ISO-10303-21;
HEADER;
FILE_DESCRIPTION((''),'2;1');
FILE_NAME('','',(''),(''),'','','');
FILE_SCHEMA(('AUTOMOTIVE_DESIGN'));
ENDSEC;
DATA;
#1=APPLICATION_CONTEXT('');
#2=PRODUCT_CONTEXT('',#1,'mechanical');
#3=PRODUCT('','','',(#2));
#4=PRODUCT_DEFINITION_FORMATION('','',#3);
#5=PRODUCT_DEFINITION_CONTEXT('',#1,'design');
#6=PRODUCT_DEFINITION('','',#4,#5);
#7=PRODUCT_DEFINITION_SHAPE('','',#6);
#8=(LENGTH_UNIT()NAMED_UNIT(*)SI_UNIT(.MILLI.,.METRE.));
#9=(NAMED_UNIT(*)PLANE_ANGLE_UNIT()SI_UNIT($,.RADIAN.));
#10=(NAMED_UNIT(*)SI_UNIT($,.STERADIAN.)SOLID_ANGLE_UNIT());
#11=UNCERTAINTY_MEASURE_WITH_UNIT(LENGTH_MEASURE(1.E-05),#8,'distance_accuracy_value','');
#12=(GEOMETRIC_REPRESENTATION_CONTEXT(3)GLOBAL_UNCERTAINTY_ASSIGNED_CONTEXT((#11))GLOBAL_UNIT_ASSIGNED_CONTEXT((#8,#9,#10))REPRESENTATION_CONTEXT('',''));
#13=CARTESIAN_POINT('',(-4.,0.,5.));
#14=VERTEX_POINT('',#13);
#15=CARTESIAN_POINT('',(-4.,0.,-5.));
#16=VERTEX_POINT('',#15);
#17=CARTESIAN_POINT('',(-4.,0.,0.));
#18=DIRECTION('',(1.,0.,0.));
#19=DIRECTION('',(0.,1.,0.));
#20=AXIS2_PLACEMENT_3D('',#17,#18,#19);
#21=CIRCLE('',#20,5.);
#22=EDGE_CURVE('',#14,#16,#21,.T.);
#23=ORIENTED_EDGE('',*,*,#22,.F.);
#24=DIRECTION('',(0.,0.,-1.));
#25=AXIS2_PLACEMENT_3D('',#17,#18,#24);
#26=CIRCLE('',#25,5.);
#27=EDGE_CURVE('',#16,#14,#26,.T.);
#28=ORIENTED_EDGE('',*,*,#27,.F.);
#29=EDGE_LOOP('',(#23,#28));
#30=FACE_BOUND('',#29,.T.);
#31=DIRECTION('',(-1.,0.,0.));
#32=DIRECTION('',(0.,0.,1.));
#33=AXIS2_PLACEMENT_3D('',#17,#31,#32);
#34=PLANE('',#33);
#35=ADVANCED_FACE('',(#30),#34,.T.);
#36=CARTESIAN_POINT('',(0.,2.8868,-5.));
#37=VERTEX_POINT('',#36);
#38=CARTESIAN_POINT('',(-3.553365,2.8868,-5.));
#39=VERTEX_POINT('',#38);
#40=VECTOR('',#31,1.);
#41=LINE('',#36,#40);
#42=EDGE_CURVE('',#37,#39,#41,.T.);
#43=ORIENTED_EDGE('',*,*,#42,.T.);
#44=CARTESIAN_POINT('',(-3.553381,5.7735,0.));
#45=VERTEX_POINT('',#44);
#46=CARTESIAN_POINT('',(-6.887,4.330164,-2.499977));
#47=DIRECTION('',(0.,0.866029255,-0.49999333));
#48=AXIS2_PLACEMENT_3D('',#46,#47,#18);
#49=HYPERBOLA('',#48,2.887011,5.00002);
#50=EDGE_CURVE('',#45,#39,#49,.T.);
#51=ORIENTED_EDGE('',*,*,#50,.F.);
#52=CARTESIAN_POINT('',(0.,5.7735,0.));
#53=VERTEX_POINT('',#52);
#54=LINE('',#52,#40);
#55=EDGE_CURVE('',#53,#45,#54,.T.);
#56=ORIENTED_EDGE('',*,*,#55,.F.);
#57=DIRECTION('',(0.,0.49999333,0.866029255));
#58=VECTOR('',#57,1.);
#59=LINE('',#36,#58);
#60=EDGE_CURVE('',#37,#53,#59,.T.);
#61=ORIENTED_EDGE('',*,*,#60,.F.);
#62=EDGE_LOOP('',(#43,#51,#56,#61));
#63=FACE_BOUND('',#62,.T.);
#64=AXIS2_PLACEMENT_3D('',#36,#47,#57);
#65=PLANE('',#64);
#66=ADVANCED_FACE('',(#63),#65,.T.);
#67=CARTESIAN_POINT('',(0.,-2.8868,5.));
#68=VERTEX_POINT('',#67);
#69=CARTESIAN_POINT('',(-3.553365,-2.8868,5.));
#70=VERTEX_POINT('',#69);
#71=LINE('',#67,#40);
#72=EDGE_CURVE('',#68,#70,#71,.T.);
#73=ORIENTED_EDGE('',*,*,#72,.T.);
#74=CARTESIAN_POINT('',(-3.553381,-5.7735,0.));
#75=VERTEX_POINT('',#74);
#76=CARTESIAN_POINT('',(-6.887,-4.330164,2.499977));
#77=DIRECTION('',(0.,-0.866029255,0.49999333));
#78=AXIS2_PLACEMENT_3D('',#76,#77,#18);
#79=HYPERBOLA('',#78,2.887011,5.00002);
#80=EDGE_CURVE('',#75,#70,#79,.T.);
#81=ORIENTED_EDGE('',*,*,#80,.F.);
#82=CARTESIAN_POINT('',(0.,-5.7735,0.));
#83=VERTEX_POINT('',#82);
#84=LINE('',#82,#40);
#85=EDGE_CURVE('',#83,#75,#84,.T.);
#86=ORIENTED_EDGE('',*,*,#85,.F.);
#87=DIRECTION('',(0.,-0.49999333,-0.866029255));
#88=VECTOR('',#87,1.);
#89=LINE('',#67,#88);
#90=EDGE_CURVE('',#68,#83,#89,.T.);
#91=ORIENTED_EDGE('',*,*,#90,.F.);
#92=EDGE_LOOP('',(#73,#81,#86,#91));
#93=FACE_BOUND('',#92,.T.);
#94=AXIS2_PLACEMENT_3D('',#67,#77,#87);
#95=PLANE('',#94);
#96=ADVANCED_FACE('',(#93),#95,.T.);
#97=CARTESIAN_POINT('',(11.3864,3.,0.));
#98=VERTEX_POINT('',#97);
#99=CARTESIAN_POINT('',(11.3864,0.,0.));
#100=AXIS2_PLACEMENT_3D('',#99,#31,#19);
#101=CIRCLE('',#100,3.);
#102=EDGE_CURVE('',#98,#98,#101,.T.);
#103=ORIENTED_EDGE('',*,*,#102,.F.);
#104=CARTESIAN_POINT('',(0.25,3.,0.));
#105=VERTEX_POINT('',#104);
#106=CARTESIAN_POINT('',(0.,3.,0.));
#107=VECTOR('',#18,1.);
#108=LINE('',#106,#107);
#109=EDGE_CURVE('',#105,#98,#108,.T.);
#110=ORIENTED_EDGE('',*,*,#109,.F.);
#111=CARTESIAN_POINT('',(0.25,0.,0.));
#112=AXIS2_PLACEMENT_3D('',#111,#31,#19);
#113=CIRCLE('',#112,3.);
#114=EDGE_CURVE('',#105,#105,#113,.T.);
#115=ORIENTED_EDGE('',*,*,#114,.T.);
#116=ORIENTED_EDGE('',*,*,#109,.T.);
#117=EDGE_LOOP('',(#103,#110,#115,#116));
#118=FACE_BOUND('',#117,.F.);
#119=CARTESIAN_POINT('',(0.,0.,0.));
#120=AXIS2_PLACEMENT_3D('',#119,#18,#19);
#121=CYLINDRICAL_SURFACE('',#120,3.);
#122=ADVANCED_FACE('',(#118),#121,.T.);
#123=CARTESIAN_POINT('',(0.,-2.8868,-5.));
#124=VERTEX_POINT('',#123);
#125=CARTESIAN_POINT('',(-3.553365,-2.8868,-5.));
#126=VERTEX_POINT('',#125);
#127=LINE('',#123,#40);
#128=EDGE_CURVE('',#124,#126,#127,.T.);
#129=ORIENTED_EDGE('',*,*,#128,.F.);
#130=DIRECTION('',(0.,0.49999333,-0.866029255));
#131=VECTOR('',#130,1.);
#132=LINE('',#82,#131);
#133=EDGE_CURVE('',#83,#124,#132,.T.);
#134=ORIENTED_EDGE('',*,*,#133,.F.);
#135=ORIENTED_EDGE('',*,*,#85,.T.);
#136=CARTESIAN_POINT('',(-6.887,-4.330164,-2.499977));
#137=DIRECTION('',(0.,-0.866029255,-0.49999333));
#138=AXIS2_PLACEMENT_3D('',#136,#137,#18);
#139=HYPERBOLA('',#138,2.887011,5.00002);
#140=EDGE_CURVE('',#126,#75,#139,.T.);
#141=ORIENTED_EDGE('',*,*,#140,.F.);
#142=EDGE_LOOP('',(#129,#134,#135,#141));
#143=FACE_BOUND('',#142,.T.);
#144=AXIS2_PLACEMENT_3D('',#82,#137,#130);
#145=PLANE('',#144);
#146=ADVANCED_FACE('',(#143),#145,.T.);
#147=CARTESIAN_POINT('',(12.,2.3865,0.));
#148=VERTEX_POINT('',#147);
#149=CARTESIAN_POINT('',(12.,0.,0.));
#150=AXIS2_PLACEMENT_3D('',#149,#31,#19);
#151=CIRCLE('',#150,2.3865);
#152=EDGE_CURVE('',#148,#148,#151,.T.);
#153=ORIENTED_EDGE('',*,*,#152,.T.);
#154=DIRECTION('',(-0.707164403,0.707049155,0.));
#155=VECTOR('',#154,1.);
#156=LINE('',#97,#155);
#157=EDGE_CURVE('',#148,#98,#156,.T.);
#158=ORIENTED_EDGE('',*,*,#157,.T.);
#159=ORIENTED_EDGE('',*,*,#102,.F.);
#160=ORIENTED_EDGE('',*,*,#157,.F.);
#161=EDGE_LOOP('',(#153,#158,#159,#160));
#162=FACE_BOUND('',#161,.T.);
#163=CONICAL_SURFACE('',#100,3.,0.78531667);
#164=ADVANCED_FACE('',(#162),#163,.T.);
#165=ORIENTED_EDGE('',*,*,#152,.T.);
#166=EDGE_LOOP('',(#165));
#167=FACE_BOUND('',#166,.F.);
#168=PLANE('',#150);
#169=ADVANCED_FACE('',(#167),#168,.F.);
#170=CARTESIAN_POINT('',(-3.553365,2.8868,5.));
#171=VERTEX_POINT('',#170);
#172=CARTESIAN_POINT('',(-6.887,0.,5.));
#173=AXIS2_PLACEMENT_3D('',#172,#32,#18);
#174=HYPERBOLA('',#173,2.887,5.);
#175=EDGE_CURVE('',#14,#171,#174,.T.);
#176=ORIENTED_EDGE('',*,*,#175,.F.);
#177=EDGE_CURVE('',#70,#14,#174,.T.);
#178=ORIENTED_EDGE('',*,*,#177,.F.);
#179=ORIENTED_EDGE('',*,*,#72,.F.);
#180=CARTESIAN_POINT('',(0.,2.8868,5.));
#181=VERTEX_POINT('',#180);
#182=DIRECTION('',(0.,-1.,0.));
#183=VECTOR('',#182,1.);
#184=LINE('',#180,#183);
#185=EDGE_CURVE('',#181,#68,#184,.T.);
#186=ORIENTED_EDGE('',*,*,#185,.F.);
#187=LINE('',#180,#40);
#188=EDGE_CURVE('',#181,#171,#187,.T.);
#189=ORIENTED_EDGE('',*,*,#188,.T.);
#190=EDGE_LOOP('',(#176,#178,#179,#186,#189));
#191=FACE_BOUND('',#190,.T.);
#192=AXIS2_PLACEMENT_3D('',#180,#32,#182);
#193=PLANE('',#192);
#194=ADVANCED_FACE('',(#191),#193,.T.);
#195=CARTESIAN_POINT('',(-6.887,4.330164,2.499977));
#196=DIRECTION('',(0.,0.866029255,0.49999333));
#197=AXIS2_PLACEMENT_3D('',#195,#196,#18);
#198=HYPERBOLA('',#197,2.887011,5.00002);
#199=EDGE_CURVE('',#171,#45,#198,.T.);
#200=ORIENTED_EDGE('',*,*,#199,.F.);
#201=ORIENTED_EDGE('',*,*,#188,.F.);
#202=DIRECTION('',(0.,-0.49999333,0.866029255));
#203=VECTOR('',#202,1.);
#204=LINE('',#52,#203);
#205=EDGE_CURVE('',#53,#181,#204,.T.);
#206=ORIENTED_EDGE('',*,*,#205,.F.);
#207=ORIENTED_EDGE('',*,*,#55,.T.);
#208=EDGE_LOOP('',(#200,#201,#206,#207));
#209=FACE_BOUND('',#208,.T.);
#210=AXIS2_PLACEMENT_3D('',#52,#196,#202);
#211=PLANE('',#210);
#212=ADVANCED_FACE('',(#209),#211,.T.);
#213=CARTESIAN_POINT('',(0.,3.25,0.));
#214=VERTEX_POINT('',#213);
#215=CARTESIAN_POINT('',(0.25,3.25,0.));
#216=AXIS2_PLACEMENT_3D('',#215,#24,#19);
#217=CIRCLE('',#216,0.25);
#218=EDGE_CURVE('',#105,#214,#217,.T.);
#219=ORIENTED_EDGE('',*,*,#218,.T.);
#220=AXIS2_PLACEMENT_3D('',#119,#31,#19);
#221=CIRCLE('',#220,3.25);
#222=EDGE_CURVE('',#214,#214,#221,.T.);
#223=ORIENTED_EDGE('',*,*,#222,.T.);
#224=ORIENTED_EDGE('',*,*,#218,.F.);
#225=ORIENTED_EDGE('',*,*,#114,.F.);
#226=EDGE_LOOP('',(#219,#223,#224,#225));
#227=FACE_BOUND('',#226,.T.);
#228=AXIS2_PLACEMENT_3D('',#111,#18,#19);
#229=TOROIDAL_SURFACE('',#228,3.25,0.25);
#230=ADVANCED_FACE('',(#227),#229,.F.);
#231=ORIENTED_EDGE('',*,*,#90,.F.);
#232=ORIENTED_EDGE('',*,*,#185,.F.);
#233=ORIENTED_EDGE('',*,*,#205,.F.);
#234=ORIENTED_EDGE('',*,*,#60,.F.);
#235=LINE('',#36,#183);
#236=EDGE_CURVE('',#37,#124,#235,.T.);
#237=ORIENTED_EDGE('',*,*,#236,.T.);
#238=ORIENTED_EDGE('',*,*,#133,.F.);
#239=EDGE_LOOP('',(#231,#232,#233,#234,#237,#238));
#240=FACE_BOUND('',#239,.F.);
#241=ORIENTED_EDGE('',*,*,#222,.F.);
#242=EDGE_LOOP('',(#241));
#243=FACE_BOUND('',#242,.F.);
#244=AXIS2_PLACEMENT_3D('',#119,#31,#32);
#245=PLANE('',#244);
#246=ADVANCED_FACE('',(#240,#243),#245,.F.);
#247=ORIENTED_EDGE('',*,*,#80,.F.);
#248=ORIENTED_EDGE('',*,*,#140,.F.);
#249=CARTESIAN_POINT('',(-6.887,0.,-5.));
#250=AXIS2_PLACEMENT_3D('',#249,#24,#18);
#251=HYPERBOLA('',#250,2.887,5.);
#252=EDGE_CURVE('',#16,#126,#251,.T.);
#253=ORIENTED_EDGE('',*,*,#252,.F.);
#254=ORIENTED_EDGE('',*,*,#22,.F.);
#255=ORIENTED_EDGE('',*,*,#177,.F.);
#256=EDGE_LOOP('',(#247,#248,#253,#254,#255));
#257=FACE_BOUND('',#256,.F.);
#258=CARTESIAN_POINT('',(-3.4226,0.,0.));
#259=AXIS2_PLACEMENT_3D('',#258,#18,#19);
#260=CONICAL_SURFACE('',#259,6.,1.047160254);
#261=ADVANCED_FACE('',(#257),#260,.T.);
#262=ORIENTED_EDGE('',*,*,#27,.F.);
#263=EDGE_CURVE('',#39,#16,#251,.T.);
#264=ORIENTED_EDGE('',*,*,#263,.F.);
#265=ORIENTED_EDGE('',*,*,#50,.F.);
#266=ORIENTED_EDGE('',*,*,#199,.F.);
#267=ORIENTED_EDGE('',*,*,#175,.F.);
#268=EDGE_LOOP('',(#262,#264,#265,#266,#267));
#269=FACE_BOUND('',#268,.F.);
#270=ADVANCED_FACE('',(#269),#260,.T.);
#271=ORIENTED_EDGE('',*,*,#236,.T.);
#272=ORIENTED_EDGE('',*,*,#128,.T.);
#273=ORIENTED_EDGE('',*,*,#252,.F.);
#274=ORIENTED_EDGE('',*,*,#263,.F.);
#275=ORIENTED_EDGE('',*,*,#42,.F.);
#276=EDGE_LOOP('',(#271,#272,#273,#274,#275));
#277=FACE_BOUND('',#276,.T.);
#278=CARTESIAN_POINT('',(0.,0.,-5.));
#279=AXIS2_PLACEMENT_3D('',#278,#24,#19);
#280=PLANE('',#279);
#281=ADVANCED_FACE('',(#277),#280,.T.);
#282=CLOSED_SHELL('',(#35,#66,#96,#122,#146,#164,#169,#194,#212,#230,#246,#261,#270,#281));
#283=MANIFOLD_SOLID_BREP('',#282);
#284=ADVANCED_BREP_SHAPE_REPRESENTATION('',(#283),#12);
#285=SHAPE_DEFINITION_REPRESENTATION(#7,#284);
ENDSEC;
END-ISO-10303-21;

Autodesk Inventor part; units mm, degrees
ref_plane "YZ Plane" through (0, 0, 0) normal (1, 0, 0) x (0, 1, 0)
ref_plane "XZ Plane" through (0, 0, 0) normal (0, 1, 0) x (-1, 0, 0)
sketch "Sketch1" plane through (0, 0, 0) normal (0, 0, 1) x (1, 0, 0)
  line L0 (0, 3) -> (12, 3)
  line L1 (12, 3) -> (12, 0)
  line L2 (12, 0) -> (0, 0)
  line L3 (-2.4, 0) -> (14.4, 0) projected
  line L4 (0, -0.6) -> (0, 3.6) projected
  line L5 (0, 3) -> (0, 0)
  dimension "d2" = 6
  dimension "d59" = 12
revolve "Body" add sketch "Sketch1" angle 360 about axis through (12, 0, 0) along (-1, 0, 0)
sketch "Sketch2" plane through (0, 0, 0) normal (-1, 0, 0) x (0, 0, 1)
  line L0 (0, 5.7735) -> (5, 2.8868)
  line L1 (5, 2.8868) -> (5, -2.8868)
  line L2 (5, -2.8868) -> (0, -5.7735)
  line L3 (0, -5.7735) -> (-5, -2.8868)
  line L4 (-5, -2.8868) -> (-5, 2.8868)
  line L5 (-5, 2.8868) -> (0, 5.7735)
  line L6 (-7, 0) -> (7, 0) projected
  line L7 (0, 8.0829) -> (0, -8.0829) projected
  point P0 (0, 0)
  point P1 (0, 0)
  dimension "d11" = 10
extrude "Head" add sketch "Sketch2" along normal blind 4
sketch "Sketch4" plane through (0, 0, 0) normal (0, 0, 1) x (1, 0, 0)
  line L0 (-3.4226, 6) -> (-4, 5)
  line L1 (-1.1, 0) -> (-0.234, 0)
  line L2 (-4.7532, 0) -> (0.5192, 0) projected
  line L3 (-4, 6) -> (-3.4226, 6)
  line L4 (-4, 5) -> (-4, 6)
  line L5 (0, 7.2) -> (0, -1.2) projected
  dimension "d65" = 10
  dimension "d67" = 30
  dimension "d68" = 12
  dimension "d69" = 4
revolve "Chamfer1" cut sketch "Sketch4" angle 360 about axis through (-1.1, 0, 0) along (1, 0, 0)
thread "Thread" size "M6x1" designation "M6" class "6g" standard "GB Metric profile" length 11
chamfer "Chamfer2" distance 0.6135 distance2 0.6136 1 edges at (12, -3, 0) measured on face at (12, -0.8855, 0.4647)
fillet "Fillet2" radius 0.25 1 edges at (0, -3, 0)
ref_plane "Work Plane1" through (1.525, 0, 0) normal (0, 0, 1) x (1, 0, 0)
equation "\"d2\" = GD"
equation "\"d59\" = NLG"
equation "\"d11\" = SW"
equation "\"d3\" = KOH"
equation "\"d71\" = RR"
equation "\"d15\" = GEL"
equation "\"d6\" = -0.5 * SPD + 0.5 * GD"
equation "\"d65\" = SW"
equation "\"d67\" = ANG1"
equation "\"d68\" = 1.2 * SW"
equation "\"d69\" = KOH"
equation "\"NLG\" = 12"
equation "\"GD\" = NND"
equation "\"BDM\" = NND"
equation "\"KOH\" = 4"
equation "\"GEL\" = 11"
equation "\"SW\" = 10"
equation "\"SPD\" = NND - 1.2269 * PTC"
equation "\"SD2\" = NND"
equation "\"SD\" = 0"
equation "\"ANG1\" = 30deg"
equation "\"GAL\" = 0.61345 * PTC"
equation "\"GUL\" = 0.61345 * PTC"
equation "\"RR\" = 0.25"
equation "\"RR1\" = 0.1"
equation "\"WFT\" = 0"
equation "\"GD1\" = THREADDIA - 1.2269 * PTC"
equation "\"THREADDIA\" = 6"
equation "\"TOA\" = 30deg"
equation "\"FAWI\" = 90deg"
equation "\"PTC\" = 1"
equation "\"NND\" = 6"
equation "\"E0\" = 1.155 * SW"
properties part number "Hexagon bolt GB/T 5781 M6 x 12" material "Steel, Mild"
